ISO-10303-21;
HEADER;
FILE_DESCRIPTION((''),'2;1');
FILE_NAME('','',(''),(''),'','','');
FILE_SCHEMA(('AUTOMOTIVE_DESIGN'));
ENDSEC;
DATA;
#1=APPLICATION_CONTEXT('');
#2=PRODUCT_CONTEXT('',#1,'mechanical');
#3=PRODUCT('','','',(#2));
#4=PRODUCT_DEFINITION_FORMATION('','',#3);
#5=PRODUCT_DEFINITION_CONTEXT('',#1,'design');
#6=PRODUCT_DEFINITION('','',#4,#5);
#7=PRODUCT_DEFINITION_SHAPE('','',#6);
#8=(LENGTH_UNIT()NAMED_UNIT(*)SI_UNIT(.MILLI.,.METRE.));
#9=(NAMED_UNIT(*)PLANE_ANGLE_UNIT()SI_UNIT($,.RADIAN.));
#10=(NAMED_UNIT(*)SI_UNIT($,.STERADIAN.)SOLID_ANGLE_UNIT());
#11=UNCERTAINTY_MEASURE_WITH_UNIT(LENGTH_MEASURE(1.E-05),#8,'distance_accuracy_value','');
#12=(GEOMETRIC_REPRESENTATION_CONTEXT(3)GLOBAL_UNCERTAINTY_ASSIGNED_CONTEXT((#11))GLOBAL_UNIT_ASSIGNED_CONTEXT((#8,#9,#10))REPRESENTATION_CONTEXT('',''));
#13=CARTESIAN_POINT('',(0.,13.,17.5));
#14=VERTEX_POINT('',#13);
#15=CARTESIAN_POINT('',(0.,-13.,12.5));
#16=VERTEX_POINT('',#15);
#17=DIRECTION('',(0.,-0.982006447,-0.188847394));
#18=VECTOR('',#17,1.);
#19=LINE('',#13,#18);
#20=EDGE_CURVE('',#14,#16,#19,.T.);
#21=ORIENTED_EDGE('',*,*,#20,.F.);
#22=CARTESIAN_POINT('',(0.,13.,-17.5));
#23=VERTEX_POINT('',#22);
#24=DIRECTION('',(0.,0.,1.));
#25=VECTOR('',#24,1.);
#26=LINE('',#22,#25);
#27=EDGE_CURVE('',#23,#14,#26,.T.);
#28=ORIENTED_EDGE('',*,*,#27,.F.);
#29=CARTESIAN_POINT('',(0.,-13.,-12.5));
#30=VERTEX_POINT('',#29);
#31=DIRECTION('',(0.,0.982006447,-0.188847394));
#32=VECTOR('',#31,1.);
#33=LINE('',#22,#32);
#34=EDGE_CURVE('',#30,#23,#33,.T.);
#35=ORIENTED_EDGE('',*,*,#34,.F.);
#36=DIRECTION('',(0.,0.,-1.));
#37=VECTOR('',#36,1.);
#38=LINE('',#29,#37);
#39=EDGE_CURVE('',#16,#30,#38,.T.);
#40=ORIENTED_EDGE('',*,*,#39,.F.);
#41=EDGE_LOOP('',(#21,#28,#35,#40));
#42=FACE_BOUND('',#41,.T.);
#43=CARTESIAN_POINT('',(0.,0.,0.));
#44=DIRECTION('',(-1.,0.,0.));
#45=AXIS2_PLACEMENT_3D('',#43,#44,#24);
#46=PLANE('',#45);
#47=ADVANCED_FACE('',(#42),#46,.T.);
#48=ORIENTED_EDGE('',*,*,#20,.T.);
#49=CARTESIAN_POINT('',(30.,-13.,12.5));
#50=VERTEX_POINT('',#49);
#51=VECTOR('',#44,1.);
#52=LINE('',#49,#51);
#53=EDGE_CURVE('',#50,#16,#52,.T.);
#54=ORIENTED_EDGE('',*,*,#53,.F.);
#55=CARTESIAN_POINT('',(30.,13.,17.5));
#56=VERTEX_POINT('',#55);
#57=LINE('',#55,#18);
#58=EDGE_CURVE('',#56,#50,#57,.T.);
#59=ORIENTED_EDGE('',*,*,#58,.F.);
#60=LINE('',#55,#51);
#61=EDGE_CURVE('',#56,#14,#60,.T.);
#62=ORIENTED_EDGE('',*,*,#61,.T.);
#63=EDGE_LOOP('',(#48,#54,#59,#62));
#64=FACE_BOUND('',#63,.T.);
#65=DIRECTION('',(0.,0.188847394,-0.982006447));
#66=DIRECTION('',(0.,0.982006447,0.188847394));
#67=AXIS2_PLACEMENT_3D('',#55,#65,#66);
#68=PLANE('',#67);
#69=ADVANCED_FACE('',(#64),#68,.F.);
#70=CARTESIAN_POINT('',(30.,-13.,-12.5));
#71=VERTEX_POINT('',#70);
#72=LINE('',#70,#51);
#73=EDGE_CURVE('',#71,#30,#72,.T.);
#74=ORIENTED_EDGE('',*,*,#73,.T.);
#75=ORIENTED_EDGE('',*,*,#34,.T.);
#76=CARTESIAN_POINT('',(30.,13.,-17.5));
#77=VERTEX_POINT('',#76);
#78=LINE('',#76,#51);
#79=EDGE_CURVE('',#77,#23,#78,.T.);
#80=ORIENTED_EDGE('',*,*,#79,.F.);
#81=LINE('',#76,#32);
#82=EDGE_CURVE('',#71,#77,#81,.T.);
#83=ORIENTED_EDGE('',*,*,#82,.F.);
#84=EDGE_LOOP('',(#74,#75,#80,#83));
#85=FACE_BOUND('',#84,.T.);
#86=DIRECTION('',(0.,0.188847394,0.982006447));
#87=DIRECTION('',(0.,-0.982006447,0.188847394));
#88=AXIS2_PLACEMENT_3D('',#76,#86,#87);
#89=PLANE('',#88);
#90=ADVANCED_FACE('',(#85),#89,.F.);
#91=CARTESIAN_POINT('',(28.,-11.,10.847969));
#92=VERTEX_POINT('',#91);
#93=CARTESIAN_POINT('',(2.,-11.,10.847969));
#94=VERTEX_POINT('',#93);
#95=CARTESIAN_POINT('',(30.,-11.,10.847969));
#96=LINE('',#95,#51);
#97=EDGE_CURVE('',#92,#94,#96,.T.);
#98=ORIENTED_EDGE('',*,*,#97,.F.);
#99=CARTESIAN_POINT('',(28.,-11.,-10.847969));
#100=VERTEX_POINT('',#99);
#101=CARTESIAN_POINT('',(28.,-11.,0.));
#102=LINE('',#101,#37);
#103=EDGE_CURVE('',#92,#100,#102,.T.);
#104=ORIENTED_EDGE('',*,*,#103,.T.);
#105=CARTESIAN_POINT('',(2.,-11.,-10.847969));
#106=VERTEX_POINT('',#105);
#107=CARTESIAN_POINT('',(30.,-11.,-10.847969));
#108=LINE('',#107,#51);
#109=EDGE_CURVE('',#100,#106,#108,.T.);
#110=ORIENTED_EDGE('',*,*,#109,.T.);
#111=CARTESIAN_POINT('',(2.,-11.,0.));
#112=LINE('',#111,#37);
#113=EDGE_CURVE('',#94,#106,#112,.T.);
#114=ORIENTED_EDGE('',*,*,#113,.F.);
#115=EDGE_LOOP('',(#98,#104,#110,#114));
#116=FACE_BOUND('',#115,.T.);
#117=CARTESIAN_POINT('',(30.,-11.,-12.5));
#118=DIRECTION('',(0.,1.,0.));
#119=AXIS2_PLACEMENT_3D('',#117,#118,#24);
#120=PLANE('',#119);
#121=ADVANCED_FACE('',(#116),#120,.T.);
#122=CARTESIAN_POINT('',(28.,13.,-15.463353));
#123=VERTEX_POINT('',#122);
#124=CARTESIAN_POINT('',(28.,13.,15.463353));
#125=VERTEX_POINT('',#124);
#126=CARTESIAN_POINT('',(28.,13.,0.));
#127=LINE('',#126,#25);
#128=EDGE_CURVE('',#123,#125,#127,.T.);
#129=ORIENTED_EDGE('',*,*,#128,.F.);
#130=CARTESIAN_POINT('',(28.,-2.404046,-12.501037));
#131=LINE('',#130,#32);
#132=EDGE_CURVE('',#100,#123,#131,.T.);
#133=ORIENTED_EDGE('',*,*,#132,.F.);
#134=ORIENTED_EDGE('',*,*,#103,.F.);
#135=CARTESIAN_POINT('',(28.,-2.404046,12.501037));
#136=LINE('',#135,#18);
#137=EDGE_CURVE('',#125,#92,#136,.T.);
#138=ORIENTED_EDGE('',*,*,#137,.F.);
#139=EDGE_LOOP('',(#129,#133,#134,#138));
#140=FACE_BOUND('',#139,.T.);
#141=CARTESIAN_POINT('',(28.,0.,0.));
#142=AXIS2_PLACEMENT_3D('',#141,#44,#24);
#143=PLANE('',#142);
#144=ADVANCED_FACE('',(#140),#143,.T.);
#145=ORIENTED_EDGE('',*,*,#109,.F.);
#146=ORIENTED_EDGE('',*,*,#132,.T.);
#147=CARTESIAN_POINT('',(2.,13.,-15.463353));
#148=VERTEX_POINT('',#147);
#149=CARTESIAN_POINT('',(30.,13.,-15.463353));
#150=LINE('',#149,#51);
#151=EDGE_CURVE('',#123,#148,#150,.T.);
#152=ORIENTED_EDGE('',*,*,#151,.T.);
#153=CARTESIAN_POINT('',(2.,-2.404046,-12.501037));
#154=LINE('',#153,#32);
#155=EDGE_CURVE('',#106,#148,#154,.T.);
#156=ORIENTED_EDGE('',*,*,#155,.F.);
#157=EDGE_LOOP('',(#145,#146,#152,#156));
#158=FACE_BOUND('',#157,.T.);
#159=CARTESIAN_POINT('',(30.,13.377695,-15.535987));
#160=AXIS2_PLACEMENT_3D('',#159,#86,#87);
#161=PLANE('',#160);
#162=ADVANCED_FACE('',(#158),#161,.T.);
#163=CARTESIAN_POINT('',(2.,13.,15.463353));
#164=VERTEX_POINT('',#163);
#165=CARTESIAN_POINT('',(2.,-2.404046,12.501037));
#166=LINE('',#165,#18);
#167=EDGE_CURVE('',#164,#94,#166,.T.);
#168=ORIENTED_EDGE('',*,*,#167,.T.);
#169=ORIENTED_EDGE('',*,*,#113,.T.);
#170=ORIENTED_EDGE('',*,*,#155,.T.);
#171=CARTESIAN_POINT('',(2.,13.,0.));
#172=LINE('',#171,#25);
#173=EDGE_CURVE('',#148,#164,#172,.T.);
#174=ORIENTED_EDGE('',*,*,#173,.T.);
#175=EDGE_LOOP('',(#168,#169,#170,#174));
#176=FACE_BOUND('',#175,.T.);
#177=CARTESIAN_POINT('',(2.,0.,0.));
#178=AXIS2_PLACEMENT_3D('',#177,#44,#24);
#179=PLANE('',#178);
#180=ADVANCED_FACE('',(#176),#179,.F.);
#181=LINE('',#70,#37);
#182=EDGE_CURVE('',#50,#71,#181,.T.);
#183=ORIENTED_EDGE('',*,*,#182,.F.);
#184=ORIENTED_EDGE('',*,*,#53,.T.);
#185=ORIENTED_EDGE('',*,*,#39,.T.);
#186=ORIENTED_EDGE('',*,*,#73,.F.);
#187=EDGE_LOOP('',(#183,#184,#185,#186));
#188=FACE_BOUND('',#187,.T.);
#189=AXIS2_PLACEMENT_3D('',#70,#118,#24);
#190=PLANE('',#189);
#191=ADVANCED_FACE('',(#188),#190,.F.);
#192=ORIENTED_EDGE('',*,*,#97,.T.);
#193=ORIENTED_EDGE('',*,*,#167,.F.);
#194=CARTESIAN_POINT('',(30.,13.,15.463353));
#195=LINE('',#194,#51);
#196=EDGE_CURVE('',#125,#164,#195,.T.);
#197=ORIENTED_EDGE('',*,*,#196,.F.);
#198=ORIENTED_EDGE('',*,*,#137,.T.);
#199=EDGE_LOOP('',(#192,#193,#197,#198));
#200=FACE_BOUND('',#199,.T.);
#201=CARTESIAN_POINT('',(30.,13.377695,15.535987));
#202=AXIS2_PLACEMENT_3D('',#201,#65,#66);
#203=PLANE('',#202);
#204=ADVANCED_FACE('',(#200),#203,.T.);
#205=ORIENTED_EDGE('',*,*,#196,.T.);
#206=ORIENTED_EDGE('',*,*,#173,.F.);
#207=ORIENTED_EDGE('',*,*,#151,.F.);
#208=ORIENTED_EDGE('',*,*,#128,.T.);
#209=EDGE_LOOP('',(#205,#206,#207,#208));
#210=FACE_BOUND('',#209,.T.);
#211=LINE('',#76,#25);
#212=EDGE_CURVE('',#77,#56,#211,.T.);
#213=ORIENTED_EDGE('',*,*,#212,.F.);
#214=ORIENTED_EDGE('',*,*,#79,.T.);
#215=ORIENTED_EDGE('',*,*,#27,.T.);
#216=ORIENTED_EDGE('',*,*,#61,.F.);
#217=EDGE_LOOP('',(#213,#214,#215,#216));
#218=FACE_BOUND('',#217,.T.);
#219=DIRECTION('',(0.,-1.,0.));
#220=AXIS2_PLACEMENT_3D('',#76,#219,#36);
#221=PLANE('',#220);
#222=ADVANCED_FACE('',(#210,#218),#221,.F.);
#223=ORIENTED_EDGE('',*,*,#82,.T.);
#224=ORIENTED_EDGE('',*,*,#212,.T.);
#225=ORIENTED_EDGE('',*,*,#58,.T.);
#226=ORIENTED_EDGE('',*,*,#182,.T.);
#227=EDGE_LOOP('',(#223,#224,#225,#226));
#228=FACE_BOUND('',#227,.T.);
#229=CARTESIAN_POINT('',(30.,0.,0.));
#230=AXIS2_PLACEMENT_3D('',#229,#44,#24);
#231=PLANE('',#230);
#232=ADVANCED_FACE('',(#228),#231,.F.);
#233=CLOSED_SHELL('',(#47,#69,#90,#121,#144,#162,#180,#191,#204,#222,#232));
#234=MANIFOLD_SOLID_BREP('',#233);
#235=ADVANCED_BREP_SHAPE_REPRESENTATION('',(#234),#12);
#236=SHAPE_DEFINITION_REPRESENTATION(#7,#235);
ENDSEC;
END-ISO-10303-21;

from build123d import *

# Parameters (mm, degrees)
BOSS_EXTRUDE1_DEPTH = 30
SHELL2_T            = -2


with BuildPart() as part:
    # Sketch1 → Boss-Extrude1 (new body)
    with BuildSketch(Plane(origin=(0, 0, 0), x_dir=(0, 0, -1), z_dir=(1, 0, 0))):
        Polygon((17.5, 13), (-17.5, 13), (-12.5, -13), (12.5, -13), align=None)
    extrude(amount=BOSS_EXTRUDE1_DEPTH)

    # Shell2
    shell2_openings = [part.faces().sort_by_distance(p)[0] for p in [
        (15, 13, 0),
    ]]
    offset(amount=SHELL2_T, openings=shell2_openings, kind=Kind.INTERSECTION)


solid = part.part
